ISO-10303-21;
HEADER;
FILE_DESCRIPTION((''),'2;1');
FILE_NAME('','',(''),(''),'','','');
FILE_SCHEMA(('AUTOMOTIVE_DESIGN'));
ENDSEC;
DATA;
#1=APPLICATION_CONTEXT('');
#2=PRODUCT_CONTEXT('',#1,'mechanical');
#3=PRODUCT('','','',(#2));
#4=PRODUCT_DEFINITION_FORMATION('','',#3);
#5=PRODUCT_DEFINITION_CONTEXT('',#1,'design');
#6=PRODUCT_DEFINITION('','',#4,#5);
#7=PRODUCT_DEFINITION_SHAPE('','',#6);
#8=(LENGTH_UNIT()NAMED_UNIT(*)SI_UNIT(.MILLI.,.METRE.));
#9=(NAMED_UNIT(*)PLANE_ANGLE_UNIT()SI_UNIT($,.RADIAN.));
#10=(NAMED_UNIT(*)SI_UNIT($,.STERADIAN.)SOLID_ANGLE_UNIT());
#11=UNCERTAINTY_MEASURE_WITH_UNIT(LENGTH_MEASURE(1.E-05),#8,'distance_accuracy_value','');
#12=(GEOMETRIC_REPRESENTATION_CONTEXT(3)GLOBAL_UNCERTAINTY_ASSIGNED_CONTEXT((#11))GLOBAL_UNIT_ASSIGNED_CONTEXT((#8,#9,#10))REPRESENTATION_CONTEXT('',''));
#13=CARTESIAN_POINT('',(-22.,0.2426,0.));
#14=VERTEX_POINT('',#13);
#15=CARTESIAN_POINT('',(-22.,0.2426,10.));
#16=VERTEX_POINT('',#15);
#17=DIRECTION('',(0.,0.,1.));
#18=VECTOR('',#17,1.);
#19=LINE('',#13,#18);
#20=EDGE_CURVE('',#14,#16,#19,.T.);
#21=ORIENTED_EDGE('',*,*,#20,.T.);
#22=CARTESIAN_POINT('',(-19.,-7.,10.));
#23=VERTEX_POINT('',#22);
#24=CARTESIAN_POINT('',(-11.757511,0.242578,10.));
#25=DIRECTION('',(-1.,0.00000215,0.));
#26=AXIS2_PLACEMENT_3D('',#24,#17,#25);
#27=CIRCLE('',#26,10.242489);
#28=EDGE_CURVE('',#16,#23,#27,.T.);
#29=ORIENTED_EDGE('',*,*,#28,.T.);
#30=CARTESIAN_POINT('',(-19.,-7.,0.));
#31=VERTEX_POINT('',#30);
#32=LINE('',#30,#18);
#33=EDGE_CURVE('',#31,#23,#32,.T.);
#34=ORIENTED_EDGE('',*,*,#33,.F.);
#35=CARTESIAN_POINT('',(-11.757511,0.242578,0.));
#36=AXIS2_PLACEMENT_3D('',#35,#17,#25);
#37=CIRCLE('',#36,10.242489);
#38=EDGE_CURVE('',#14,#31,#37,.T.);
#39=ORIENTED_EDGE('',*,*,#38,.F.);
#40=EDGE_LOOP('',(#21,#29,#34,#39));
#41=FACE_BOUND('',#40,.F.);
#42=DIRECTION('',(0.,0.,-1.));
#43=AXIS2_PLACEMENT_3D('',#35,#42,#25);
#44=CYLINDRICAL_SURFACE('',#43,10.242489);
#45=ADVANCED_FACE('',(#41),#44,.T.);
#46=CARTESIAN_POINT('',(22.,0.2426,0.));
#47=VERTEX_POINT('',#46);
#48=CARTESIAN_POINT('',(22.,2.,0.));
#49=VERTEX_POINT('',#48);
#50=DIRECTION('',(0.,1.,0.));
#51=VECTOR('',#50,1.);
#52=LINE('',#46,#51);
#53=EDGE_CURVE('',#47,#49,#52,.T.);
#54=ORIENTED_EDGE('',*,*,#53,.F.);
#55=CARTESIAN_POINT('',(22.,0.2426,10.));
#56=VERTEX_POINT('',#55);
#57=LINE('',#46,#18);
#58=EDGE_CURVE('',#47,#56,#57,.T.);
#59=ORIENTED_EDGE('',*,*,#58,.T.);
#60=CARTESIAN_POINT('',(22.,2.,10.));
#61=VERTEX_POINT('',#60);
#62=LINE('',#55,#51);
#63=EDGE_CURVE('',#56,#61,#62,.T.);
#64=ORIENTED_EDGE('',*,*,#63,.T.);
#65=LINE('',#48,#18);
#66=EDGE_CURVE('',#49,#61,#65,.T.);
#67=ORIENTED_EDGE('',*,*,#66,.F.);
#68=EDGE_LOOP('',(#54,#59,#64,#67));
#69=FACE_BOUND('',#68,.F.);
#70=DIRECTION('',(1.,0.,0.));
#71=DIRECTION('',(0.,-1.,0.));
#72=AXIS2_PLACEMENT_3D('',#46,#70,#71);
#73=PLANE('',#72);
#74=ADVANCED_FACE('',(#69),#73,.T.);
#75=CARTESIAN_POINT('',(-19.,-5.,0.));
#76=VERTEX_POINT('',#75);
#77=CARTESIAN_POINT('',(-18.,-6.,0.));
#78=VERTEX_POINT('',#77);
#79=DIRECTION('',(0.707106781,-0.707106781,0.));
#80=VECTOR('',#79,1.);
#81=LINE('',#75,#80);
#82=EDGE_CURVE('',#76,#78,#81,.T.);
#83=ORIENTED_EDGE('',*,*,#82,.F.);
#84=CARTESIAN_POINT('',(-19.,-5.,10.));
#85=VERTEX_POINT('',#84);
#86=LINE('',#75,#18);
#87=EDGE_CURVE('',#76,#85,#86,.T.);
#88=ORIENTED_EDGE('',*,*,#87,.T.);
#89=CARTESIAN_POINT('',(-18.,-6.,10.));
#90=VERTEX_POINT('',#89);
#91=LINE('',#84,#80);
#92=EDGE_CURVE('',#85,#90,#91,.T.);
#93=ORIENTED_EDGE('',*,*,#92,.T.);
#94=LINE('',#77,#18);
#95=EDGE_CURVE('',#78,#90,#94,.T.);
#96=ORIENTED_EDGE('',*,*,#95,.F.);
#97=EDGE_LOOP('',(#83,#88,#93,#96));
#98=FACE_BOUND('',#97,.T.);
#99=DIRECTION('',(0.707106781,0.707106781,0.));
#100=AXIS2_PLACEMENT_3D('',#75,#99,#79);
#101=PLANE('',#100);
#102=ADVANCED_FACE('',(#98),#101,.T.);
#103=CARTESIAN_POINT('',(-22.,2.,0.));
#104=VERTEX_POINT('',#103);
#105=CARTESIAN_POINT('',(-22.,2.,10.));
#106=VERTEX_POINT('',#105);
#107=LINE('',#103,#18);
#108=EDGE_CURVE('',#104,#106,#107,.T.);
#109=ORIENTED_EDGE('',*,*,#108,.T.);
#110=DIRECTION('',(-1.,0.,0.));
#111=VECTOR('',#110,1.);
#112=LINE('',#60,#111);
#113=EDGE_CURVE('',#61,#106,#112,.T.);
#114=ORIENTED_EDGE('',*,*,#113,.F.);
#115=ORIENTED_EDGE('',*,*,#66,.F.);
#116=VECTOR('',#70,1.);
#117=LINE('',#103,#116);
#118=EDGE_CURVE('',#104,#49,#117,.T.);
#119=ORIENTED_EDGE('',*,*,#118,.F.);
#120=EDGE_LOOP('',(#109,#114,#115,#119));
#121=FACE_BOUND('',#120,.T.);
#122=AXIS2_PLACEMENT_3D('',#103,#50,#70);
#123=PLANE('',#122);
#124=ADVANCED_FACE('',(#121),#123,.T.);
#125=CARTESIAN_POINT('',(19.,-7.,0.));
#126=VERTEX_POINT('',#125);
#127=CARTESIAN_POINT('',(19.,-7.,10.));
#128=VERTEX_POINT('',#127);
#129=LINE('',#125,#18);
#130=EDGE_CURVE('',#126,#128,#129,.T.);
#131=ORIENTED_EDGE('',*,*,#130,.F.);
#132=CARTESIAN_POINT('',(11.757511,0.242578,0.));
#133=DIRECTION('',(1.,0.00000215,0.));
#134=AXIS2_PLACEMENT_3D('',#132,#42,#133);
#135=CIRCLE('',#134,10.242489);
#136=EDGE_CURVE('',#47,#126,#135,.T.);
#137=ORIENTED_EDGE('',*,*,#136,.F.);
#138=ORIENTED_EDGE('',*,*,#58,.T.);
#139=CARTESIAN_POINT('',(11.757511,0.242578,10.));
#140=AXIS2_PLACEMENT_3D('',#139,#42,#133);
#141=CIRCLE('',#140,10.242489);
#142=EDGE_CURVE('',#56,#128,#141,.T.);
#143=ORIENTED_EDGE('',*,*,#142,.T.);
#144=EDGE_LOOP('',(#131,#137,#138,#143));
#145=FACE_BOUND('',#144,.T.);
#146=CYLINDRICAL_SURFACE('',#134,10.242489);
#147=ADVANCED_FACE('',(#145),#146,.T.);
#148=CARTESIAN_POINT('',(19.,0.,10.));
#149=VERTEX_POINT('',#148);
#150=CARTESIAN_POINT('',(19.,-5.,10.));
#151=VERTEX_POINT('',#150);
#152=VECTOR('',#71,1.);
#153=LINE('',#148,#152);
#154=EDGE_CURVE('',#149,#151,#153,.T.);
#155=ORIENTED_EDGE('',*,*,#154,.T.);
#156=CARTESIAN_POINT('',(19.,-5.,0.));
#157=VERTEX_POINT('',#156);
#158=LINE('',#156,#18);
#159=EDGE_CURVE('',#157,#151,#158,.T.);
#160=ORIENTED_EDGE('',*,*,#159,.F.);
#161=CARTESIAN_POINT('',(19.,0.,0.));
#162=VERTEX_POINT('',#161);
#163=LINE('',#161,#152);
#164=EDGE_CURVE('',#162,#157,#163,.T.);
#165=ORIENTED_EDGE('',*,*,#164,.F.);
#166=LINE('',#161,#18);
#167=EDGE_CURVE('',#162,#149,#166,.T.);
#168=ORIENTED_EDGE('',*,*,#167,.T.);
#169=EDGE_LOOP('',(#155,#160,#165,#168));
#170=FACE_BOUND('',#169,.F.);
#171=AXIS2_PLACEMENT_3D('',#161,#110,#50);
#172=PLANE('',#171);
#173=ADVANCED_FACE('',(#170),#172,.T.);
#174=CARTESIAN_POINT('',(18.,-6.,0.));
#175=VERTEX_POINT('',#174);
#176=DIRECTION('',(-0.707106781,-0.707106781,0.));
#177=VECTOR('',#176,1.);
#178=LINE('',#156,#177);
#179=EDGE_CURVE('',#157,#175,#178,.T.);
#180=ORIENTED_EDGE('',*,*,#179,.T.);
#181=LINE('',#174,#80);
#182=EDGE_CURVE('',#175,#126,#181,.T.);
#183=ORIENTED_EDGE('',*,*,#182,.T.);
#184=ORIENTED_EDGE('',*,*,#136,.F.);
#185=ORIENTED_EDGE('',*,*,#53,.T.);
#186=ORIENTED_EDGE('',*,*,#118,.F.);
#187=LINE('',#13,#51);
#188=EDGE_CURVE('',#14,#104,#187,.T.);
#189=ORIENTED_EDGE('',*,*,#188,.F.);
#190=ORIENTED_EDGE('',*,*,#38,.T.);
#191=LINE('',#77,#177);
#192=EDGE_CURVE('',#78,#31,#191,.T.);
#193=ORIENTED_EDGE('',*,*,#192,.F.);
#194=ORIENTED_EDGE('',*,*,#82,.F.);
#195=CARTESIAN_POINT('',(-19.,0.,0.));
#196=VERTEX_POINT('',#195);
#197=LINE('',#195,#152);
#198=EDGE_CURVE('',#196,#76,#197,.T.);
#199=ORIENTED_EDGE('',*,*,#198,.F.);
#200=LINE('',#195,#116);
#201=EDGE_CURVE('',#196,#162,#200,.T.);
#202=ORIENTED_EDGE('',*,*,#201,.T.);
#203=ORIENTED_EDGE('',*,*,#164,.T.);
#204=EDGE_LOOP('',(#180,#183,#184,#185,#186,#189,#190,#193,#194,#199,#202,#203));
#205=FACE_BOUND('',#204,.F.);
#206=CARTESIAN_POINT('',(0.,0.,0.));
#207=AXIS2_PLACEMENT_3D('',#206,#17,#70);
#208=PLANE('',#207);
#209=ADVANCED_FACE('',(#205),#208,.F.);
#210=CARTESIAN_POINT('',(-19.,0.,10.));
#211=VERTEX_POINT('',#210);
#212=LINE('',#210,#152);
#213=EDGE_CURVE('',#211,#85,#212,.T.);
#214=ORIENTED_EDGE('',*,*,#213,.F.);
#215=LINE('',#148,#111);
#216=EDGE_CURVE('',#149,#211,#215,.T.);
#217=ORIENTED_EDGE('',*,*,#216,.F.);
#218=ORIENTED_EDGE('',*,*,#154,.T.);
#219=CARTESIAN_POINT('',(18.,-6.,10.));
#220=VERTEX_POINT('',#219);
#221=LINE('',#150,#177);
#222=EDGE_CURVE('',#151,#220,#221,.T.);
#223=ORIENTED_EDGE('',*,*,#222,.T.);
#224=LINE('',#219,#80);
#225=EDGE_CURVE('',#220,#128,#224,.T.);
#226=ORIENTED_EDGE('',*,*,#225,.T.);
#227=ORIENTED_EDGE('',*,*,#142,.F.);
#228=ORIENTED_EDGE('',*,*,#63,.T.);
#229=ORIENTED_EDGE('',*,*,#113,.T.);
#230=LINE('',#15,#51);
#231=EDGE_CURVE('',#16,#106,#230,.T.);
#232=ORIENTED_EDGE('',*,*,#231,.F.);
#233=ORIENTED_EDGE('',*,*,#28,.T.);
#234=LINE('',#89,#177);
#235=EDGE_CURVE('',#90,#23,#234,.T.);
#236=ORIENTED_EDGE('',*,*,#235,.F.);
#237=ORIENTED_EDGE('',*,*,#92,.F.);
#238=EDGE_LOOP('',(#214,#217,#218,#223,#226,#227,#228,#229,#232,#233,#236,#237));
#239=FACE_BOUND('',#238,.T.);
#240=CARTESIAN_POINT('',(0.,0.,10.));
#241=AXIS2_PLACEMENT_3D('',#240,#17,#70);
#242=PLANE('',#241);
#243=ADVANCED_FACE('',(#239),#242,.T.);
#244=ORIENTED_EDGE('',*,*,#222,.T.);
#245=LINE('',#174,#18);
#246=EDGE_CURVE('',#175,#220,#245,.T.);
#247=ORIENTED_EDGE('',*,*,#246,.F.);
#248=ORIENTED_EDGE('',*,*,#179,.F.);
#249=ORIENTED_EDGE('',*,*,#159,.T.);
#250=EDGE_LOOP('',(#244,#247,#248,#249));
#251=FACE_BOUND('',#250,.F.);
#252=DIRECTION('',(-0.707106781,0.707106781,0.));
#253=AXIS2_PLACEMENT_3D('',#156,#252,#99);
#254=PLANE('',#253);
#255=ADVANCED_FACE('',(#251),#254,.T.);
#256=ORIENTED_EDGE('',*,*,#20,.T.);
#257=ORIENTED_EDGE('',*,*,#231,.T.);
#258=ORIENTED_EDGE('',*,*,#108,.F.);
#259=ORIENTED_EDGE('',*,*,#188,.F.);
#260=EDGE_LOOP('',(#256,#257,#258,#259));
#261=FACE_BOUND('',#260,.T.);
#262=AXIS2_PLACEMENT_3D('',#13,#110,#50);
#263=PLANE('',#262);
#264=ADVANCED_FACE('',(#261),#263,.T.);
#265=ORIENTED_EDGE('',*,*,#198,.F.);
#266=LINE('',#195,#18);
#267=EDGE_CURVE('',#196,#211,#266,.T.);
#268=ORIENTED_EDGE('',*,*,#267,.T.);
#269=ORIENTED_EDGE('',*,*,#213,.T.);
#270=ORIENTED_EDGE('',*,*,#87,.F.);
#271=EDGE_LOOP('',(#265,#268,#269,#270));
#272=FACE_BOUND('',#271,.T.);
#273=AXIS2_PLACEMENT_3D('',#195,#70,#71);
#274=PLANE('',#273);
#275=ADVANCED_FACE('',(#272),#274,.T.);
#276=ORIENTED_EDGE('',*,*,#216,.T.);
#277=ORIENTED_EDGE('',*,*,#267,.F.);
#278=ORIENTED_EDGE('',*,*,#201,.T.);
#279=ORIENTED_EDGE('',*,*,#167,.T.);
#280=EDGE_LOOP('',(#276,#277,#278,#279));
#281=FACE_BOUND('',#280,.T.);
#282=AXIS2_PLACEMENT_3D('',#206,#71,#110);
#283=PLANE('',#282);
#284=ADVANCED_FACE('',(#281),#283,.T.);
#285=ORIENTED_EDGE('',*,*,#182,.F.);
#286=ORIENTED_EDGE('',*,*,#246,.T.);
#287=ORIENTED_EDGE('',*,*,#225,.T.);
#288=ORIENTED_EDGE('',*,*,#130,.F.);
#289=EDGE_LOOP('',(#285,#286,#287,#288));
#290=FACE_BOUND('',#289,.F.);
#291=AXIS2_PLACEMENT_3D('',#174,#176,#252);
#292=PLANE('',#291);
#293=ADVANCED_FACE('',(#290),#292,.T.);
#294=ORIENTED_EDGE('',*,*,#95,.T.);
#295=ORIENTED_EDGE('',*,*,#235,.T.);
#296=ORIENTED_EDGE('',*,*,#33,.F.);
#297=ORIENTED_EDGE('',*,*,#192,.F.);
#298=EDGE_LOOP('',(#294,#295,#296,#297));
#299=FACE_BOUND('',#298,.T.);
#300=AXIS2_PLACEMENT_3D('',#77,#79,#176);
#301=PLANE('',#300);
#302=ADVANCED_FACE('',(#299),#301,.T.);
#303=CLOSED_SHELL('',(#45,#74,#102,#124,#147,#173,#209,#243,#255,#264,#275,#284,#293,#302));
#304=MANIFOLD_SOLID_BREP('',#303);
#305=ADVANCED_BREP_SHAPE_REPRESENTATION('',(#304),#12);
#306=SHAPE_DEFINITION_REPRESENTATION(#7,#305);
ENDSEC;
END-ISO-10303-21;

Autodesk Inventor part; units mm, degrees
ref_plane "YZ Plane" through (0, 0, 0) normal (1, 0, 0) x (0, 1, 0)
ref_plane "XZ Plane" through (0, 0, 0) normal (0, 1, 0) x (-1, 0, 0)
ref_plane "XY Plane" through (0, 0, 0) normal (0, 0, 1) x (1, 0, 0)
sketch "Skizze1" plane through (0, 0, 0) normal (0, 0, 1) x (1, 0, 0)
  line L0 (0, 0) -> (-19, 0)
  line L1 (-19, 0) -> (-19, -5)
  line L2 (-19, -5) -> (-18, -6)
  line L3 (-18, -6) -> (-19, -7)
  arc A0 (-22, 0.2426) -> (-19, -7) centre (-11.7574, 0.2426) ccw
  line L4 (-22, 0.2426) -> (-22, 2)
  line L5 (-22, 2) -> (0, 2)
  line L6 (0, 2) -> (0, 0)
  dimension "d6" = 19
  dimension "d7" = 5
  dimension "d8" = 3
  dimension "d9" = 1
  dimension "d10" = 2
  dimension "d11" = 2
extrude "Extrusion1" add sketch "Skizze1" along normal blind 10
mirror "Spiegeln1" about plane through (0, 0, 0) normal (1, 0, 0) of "Extrusion1"
properties part number "TrackIR_3D-Druck"
